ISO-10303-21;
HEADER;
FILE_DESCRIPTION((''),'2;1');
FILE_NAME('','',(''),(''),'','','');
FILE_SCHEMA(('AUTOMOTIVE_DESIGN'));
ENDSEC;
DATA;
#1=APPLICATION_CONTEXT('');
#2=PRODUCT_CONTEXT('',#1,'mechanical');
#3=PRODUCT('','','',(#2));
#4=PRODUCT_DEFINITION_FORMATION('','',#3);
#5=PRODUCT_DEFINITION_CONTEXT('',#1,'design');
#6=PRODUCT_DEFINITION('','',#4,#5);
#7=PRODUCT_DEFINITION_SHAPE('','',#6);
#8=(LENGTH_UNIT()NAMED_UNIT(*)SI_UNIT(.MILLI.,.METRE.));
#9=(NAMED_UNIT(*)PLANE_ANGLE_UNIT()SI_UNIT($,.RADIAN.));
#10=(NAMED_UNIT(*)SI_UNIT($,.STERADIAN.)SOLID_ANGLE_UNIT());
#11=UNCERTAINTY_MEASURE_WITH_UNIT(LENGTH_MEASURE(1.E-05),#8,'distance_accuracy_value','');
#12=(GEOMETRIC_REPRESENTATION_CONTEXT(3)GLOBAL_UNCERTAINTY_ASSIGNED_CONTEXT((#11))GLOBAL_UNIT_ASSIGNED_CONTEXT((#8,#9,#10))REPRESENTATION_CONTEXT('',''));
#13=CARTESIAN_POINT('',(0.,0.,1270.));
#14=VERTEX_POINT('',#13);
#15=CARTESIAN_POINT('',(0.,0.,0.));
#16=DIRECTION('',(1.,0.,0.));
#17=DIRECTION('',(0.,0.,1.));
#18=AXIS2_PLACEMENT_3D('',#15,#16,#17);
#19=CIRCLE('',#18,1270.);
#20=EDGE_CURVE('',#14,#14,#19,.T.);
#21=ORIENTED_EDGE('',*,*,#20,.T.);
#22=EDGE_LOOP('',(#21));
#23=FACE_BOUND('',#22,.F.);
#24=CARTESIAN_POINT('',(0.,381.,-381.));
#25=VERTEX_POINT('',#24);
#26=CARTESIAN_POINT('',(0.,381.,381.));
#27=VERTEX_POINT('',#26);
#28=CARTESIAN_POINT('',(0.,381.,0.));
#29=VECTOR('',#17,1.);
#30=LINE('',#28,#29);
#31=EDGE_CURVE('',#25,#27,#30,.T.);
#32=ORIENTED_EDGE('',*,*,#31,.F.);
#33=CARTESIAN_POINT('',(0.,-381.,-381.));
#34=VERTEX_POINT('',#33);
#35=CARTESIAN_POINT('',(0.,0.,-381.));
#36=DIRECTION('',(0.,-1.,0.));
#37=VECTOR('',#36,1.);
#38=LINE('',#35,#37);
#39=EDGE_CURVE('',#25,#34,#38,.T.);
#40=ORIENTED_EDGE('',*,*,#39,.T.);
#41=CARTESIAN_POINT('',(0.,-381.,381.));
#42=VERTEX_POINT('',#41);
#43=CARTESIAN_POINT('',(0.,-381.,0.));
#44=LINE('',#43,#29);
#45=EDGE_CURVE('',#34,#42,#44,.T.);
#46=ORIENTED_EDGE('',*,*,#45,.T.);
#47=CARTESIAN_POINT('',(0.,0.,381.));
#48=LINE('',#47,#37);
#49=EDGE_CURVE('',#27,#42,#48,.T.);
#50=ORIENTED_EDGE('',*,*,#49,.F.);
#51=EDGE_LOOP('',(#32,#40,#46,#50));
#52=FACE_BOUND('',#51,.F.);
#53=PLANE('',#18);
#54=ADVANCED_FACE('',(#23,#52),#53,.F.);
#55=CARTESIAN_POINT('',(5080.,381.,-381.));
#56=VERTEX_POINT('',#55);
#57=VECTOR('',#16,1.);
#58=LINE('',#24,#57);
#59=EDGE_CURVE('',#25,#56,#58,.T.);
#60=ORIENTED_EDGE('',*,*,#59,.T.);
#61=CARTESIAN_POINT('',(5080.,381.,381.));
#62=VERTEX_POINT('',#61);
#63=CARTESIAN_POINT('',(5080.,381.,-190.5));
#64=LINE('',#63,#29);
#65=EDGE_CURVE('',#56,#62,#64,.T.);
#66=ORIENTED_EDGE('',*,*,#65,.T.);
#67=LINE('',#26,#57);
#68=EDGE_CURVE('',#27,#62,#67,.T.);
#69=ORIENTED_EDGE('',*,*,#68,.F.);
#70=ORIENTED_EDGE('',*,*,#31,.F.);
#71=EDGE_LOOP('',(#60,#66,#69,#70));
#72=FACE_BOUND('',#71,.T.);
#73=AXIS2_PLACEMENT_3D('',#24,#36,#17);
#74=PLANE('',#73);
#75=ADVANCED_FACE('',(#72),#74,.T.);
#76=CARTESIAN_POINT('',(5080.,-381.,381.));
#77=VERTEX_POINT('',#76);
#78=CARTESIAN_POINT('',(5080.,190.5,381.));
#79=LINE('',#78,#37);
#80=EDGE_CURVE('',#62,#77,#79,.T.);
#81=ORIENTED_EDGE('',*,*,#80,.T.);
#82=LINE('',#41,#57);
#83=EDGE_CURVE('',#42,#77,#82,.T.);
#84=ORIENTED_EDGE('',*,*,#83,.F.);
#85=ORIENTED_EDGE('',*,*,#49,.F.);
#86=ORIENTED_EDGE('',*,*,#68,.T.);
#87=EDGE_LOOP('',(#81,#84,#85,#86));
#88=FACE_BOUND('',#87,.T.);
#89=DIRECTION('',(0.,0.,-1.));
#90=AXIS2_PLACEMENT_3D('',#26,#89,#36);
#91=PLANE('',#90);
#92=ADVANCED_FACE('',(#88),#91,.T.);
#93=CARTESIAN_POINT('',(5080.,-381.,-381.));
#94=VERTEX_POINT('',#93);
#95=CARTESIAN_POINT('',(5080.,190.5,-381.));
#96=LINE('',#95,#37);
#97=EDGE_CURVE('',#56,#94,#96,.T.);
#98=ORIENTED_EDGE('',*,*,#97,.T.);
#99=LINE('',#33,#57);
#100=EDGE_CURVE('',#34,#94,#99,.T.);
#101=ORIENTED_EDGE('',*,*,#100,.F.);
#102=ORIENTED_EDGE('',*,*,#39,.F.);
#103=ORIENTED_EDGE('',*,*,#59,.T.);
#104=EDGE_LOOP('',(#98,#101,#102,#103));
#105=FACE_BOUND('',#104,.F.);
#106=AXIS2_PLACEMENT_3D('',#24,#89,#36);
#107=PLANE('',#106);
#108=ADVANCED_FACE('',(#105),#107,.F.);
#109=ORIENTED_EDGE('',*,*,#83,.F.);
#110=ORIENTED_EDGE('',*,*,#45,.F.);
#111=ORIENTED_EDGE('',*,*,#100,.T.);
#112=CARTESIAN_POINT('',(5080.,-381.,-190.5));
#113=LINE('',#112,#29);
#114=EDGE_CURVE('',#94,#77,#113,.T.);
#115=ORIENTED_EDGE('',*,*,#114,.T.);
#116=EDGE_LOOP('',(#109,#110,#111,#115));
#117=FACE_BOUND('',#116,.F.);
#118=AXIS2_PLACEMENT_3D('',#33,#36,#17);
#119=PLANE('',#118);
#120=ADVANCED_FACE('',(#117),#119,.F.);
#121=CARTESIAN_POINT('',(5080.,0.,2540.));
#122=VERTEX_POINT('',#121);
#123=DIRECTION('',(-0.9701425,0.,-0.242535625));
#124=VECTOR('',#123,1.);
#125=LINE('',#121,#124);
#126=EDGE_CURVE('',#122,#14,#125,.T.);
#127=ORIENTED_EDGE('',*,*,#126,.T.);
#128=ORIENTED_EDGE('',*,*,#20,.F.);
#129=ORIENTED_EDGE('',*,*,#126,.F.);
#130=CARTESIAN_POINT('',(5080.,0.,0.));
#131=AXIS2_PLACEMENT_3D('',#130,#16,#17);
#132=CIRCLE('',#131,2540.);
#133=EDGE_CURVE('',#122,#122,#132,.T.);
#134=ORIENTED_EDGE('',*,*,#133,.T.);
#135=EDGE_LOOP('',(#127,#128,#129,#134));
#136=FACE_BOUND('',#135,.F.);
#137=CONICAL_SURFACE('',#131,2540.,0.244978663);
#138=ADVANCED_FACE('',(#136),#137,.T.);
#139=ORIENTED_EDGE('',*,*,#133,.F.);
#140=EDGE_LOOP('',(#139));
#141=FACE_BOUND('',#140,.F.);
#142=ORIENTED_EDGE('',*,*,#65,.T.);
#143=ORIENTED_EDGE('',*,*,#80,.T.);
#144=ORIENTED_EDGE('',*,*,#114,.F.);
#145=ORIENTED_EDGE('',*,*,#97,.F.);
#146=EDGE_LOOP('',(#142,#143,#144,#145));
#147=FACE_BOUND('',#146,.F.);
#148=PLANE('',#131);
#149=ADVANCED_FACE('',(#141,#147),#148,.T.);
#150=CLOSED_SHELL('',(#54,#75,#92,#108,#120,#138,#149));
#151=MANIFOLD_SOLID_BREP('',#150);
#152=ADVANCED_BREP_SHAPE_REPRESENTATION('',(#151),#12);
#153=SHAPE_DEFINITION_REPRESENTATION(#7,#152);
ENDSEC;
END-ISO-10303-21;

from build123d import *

# Parameters (mm, degrees)
F2_W     = 762
F2_H     = 762
F3_DEPTH = 5867.4


with BuildPart() as f1:
    # F0 (on Front) → F1 (revolve)
    with BuildSketch(Plane.XZ):
        Polygon((0, 1270), (0, 0), (5080, 0), (5080, 2540), align=None)
    revolve(axis=Axis((2582.32908, 0, 0), (1, 0, 0)))

    # F2 (on face) → F3 (cut)
    with BuildSketch(Plane(origin=(0, 0, 0), x_dir=(0, -1, 0), z_dir=(-1, 0, 0))):
        Rectangle(F2_W, F2_H)
    extrude(amount=-F3_DEPTH, mode=Mode.SUBTRACT)


solid = f1.part
